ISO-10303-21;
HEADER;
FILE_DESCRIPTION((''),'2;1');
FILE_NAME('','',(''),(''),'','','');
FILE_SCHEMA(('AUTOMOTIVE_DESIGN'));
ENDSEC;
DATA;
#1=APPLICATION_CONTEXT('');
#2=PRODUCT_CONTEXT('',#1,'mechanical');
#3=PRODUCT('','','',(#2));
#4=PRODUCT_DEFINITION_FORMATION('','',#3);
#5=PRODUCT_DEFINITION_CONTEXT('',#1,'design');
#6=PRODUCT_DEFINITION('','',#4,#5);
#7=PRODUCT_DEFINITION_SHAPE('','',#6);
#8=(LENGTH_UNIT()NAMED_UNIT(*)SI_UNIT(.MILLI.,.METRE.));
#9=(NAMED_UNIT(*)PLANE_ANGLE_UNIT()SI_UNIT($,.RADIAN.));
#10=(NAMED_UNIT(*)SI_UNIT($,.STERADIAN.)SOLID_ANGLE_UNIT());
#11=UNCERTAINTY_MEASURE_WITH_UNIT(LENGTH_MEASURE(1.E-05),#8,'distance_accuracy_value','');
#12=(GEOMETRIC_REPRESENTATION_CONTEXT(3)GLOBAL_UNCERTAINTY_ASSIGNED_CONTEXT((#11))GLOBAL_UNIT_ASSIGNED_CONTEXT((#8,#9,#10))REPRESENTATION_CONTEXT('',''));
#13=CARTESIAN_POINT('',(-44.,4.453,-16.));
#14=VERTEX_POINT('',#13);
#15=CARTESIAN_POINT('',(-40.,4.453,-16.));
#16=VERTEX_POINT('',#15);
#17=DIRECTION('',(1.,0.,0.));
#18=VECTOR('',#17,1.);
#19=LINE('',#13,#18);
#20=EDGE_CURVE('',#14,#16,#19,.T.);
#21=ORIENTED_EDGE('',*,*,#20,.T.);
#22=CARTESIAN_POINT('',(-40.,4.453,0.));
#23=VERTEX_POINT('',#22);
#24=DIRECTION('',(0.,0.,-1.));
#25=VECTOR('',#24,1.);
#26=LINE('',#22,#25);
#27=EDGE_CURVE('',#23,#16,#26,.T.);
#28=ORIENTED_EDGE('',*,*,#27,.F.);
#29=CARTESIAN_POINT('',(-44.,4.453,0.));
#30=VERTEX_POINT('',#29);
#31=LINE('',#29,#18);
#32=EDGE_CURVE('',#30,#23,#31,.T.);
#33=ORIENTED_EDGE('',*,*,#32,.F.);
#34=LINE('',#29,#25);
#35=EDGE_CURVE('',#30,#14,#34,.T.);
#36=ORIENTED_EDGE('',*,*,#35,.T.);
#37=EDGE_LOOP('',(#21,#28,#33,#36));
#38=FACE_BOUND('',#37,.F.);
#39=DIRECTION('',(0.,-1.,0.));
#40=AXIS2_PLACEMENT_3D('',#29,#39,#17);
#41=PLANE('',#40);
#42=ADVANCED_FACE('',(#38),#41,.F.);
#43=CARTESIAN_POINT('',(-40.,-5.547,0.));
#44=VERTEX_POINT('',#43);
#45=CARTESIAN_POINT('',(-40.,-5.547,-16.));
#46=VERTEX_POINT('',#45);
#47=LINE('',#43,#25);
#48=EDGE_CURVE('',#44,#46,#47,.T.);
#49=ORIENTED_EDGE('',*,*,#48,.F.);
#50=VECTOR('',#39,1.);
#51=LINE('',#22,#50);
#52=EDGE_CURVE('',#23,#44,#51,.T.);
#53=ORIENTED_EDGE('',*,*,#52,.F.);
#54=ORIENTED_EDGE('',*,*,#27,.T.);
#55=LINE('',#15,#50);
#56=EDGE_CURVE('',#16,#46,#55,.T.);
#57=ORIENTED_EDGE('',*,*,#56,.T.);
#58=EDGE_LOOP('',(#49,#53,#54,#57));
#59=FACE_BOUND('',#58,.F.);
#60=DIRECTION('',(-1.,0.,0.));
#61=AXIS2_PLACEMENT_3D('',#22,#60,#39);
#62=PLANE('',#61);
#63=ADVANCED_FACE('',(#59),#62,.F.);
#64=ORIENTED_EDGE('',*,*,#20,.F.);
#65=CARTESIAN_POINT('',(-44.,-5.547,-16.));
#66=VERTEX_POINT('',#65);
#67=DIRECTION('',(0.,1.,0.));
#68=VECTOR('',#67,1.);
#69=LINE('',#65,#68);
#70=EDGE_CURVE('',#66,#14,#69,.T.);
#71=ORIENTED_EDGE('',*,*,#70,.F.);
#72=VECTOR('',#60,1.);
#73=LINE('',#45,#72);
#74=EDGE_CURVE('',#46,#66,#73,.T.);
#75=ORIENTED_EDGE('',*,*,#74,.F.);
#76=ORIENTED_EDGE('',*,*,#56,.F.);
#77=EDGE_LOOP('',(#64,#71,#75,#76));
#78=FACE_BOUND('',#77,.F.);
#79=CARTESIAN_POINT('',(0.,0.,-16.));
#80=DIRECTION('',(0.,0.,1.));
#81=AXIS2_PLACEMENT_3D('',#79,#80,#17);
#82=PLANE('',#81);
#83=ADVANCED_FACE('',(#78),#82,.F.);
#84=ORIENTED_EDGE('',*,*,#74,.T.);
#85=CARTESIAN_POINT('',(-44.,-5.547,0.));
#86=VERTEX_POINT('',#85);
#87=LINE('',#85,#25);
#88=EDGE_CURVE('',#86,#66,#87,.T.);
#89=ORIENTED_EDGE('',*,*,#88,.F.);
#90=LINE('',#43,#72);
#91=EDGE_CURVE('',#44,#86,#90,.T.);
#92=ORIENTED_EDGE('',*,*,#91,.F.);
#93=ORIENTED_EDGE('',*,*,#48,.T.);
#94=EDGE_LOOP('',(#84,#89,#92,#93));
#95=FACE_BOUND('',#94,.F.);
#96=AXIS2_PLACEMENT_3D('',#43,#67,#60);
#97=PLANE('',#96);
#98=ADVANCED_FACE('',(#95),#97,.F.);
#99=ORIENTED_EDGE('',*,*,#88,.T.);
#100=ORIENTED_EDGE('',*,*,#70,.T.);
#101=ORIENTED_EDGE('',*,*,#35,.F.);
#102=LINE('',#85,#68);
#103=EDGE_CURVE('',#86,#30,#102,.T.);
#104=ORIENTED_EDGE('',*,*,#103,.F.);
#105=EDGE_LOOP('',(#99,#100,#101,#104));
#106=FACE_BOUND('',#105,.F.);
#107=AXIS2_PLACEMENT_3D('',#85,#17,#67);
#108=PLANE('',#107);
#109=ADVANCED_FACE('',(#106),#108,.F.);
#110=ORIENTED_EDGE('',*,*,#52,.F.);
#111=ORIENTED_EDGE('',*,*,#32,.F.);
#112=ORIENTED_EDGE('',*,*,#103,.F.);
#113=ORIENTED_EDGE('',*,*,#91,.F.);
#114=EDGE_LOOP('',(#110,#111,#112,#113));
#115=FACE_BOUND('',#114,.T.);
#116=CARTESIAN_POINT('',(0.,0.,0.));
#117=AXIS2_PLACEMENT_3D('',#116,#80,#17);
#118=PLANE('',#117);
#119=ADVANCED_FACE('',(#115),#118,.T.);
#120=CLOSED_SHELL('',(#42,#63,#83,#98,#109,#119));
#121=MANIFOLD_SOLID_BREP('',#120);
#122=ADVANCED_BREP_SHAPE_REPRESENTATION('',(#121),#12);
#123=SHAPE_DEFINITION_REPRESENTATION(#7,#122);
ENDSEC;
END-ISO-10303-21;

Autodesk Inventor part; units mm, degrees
ref_plane "YZ Plane" through (0, 0, 0) normal (1, 0, 0) x (0, 1, 0)
ref_plane "XZ Plane" through (0, 0, 0) normal (0, 1, 0) x (-1, 0, 0)
ref_plane "XY Plane" through (0, 0, 0) normal (0, 0, 1) x (1, 0, 0)
ref_plane "РабПлоскость1" through (0, 0, 0) normal (0, 0, 1) x (1, 0, 0)
sketch "Эскиз1" plane through (0, 0, 0) normal (0, 0, 1) x (1, 0, 0)
  line L0 (-40, 4.453) -> (-40, -5.547) projected
  line L1 (-44, 4.453) -> (-40, 4.453) projected
  line L2 (-44, -5.547) -> (-44, 4.453) projected
  line L3 (-40, -5.547) -> (-44, -5.547) projected
  point P0 (0, 0)
extrude "Выдавливание1" add sketch "Эскиз1" against normal blind 16
properties part number "topzagl"
